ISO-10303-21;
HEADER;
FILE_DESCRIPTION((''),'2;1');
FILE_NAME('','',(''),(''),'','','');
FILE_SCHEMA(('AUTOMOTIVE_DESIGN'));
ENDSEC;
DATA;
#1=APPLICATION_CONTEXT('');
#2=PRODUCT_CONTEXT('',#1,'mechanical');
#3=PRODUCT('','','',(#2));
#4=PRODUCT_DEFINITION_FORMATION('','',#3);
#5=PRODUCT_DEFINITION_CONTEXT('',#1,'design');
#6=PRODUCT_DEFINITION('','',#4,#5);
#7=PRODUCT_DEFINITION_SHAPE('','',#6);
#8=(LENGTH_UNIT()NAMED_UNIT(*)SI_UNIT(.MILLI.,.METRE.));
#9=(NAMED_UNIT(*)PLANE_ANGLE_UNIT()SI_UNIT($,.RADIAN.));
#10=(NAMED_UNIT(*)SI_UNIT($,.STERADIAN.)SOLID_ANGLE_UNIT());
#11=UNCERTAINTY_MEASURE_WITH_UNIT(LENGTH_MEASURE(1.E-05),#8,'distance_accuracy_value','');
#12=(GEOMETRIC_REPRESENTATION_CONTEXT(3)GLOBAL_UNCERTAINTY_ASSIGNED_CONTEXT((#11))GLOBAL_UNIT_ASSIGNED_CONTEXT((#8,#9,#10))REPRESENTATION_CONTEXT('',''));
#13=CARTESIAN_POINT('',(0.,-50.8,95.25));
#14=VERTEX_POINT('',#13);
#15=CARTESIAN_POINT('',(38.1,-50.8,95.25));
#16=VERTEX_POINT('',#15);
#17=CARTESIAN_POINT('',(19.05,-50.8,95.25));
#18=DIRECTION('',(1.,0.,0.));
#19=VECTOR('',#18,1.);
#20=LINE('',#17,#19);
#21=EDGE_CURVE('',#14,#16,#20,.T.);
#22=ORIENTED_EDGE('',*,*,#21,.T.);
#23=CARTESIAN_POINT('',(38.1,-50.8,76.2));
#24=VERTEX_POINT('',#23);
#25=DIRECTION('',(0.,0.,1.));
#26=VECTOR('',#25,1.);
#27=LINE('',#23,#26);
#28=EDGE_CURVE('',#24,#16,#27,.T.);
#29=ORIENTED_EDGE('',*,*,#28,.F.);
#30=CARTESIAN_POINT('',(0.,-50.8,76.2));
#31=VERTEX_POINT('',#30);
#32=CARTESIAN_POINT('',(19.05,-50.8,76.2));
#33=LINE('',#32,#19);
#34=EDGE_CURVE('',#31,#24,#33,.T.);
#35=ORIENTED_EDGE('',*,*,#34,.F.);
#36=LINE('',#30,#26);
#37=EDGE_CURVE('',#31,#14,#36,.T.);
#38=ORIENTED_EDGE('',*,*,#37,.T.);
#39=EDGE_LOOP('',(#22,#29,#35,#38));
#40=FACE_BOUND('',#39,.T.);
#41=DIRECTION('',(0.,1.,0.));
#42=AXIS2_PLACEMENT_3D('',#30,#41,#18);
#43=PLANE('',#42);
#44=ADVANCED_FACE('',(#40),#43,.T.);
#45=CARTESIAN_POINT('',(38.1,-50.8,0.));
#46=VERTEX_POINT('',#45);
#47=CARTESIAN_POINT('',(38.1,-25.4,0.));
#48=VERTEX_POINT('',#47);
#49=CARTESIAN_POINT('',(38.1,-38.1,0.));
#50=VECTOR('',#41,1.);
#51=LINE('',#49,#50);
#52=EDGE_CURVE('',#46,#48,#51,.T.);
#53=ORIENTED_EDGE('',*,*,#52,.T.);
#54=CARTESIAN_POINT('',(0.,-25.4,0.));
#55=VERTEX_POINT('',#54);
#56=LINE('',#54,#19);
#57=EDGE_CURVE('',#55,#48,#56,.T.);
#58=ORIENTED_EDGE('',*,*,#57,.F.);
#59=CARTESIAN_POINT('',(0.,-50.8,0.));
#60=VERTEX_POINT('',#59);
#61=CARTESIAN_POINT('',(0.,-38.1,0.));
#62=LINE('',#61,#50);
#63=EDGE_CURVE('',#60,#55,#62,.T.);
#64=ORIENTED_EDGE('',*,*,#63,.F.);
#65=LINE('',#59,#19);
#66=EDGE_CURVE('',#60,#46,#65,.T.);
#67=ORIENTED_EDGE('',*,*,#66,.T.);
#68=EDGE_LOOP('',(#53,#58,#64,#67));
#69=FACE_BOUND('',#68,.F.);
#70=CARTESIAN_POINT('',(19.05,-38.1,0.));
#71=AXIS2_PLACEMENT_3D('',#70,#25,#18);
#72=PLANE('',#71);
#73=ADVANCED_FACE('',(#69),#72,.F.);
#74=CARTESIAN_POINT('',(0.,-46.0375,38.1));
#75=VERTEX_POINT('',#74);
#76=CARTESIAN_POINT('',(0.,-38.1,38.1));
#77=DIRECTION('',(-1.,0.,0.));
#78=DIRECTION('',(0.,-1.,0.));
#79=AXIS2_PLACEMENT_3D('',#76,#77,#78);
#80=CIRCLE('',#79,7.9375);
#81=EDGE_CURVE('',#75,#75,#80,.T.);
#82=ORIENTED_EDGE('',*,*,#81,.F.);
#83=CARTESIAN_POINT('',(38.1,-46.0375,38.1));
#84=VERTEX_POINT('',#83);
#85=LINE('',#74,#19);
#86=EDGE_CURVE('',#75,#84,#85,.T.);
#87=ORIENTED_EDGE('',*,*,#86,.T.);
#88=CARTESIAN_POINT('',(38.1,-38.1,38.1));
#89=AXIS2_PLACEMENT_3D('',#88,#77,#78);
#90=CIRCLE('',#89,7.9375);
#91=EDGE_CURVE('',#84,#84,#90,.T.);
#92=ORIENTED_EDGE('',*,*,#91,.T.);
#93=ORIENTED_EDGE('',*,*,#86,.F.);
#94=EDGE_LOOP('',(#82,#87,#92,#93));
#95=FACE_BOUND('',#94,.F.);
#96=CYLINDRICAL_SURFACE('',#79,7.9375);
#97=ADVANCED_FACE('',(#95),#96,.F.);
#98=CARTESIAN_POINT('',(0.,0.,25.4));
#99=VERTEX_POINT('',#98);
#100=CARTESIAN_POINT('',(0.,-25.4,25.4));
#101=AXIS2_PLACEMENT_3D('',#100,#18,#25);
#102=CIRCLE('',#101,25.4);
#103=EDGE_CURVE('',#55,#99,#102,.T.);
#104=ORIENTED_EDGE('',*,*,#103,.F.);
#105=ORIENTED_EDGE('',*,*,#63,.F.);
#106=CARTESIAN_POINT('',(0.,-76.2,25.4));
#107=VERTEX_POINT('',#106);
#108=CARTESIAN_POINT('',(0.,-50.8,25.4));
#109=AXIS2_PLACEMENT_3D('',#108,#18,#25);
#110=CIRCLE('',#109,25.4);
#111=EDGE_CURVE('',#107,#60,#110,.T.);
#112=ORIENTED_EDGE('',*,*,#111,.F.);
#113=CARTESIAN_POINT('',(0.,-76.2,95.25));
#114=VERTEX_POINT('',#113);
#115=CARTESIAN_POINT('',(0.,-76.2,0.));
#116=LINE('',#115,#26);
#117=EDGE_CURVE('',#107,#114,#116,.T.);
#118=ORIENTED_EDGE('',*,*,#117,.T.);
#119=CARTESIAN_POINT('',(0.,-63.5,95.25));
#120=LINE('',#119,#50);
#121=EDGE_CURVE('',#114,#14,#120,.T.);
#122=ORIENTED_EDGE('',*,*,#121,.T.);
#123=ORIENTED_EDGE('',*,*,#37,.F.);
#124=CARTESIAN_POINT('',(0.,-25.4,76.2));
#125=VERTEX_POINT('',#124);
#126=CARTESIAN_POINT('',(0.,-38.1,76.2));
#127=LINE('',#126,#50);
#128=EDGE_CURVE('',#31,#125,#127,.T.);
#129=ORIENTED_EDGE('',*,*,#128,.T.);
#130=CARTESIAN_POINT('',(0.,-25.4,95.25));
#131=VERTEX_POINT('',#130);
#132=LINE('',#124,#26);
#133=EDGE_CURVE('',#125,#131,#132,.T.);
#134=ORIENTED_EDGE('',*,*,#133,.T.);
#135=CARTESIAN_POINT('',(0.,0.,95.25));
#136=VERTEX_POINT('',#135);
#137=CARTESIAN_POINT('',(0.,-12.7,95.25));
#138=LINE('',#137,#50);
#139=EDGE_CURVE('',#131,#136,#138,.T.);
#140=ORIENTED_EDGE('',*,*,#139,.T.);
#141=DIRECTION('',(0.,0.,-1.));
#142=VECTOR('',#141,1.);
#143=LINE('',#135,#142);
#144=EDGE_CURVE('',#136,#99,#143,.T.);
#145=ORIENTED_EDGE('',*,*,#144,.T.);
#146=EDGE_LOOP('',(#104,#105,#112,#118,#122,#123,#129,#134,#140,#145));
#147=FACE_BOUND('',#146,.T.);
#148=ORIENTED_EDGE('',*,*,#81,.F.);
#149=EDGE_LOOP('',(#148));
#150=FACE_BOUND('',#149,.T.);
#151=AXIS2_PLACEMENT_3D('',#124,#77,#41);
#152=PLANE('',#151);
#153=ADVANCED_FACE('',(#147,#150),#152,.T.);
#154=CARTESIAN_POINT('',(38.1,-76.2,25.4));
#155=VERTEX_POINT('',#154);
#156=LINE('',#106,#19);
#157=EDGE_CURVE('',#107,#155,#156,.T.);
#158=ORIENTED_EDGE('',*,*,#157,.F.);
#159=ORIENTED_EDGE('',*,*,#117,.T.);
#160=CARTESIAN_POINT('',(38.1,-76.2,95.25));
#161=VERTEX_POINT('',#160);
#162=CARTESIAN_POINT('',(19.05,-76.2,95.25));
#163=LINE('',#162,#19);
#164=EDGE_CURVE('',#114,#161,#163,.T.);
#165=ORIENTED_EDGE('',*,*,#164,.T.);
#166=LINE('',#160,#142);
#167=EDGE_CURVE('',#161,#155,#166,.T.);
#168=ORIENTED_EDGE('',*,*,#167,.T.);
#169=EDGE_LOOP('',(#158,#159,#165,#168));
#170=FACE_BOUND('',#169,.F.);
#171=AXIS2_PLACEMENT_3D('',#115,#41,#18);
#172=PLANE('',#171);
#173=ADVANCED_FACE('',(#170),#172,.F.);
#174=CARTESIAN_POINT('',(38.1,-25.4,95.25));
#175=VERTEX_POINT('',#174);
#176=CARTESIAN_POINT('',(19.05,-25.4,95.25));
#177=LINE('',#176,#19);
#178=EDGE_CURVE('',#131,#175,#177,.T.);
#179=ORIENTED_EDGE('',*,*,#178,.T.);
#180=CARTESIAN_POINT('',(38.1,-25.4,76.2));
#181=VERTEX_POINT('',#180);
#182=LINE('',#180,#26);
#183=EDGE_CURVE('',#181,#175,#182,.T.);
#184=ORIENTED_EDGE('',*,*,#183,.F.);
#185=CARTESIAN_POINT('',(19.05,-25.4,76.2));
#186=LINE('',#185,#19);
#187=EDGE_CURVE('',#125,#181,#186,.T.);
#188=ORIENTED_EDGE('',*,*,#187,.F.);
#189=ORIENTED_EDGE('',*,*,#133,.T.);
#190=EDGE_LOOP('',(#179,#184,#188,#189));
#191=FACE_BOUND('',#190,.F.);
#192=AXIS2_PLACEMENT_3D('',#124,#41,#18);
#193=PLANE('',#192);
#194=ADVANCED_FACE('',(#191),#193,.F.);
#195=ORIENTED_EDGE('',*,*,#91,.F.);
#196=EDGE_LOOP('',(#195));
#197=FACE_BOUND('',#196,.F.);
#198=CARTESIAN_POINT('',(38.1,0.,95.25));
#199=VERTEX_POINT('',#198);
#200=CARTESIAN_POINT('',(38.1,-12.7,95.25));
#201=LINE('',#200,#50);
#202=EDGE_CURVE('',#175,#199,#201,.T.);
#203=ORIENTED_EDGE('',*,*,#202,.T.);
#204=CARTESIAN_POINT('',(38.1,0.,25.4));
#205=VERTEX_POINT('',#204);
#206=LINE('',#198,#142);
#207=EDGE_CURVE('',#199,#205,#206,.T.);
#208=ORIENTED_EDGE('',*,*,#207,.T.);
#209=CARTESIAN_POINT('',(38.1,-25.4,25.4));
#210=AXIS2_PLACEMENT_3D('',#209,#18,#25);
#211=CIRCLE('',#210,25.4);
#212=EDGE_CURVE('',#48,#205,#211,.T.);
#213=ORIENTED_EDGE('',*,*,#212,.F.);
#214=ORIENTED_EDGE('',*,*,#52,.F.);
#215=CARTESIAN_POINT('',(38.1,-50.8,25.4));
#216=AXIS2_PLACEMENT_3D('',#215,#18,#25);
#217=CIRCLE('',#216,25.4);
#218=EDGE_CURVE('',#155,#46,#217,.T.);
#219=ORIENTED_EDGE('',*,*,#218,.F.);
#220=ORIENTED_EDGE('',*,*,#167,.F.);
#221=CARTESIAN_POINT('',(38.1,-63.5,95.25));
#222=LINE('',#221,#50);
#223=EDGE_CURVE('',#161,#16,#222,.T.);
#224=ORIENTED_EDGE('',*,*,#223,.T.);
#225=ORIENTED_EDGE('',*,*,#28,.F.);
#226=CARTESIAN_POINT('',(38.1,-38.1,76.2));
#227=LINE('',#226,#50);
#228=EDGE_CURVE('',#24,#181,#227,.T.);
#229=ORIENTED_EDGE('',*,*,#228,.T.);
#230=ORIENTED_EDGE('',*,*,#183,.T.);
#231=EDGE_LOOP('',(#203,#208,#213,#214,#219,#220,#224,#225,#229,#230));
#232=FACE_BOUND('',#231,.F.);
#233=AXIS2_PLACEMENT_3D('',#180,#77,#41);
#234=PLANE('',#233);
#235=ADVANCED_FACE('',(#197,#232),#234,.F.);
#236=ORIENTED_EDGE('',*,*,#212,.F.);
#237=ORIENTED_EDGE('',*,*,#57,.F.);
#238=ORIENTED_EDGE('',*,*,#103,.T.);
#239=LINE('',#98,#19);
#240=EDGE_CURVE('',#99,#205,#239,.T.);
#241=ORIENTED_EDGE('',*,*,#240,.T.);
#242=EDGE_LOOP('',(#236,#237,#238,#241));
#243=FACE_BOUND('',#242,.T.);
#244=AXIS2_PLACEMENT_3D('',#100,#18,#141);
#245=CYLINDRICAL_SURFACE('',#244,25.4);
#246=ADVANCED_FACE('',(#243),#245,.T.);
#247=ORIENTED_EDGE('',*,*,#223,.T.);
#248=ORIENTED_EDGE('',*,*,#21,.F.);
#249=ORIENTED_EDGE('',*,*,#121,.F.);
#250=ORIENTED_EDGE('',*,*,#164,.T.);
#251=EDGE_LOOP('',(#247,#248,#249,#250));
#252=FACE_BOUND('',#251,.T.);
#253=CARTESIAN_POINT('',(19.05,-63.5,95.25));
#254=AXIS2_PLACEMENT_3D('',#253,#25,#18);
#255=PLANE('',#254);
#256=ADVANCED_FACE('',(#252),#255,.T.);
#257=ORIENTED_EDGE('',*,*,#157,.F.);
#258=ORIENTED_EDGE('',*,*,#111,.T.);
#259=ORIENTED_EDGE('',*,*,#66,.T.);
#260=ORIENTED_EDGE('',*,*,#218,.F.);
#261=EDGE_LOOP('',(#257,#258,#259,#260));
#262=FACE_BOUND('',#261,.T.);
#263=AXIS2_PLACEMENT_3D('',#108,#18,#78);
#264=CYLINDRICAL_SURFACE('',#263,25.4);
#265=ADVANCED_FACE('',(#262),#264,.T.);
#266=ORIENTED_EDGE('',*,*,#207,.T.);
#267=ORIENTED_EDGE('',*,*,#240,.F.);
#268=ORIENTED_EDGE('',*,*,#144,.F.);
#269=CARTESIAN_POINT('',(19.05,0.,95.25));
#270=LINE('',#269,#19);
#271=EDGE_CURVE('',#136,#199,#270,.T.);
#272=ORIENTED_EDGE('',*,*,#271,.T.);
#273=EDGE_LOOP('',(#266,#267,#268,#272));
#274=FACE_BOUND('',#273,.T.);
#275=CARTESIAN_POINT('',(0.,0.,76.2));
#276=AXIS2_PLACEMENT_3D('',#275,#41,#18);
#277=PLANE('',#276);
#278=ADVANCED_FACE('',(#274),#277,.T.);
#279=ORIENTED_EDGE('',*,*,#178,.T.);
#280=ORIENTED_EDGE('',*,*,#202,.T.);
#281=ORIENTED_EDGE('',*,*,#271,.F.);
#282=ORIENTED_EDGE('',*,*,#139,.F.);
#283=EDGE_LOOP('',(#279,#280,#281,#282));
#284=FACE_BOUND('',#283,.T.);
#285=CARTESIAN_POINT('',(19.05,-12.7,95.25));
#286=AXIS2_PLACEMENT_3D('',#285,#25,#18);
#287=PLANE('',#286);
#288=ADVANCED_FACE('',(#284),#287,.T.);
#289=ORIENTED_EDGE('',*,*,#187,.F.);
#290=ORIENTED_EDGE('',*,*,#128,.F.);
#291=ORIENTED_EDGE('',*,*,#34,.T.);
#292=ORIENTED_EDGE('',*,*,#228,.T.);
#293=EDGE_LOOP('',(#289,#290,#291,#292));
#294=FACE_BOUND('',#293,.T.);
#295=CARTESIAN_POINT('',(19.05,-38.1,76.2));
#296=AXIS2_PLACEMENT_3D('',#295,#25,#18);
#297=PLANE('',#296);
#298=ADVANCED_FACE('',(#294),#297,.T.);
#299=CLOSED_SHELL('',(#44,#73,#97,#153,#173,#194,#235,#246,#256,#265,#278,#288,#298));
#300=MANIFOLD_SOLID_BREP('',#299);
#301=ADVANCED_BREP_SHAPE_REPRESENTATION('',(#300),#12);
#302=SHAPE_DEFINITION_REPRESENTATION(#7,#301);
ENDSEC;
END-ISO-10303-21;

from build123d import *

# Parameters (mm, degrees)
F0_W     = 38.1
F0_H     = 76.2
F1_DEPTH = 76.2
F2_R     = 7.9375
F3_DEPTH = 59.944
F4_W     = 38.1
F4_H     = 25.4
F5_DEPTH = 19.05
F6_R     = 25.4


with BuildPart() as f1:
    # F0 (on Top) → F1 (new body)
    with BuildSketch(Plane.XY):
        with Locations((19.05, -38.1)):
            Rectangle(F0_W, F0_H)
    extrude(amount=F1_DEPTH)

    # F2 (on face) → F3 (cut)
    with BuildSketch(Plane(origin=(0, 0, 0), x_dir=(0, -1, 0), z_dir=(-1, 0, 0))):
        with Locations((38.1, 38.1)):
            Circle(F2_R)
    extrude(amount=-F3_DEPTH, mode=Mode.SUBTRACT)

    # F4 (on face) → F5 (join)
    with BuildSketch(Plane.XY.offset(76.2)):
        with Locations((19.05, -12.7)):
            Rectangle(F4_W, F4_H)
        with Locations((19.05, -63.5)):
            Rectangle(F4_W, F4_H)
    extrude(amount=F5_DEPTH)

    # F6
    f6_edges = [f1.edges().sort_by_distance(p)[0] for p in [
        (19.05, 0, 0),
        (19.05, -76.2, 0),
    ]]
    fillet(f6_edges, radius=F6_R)


solid = f1.part
